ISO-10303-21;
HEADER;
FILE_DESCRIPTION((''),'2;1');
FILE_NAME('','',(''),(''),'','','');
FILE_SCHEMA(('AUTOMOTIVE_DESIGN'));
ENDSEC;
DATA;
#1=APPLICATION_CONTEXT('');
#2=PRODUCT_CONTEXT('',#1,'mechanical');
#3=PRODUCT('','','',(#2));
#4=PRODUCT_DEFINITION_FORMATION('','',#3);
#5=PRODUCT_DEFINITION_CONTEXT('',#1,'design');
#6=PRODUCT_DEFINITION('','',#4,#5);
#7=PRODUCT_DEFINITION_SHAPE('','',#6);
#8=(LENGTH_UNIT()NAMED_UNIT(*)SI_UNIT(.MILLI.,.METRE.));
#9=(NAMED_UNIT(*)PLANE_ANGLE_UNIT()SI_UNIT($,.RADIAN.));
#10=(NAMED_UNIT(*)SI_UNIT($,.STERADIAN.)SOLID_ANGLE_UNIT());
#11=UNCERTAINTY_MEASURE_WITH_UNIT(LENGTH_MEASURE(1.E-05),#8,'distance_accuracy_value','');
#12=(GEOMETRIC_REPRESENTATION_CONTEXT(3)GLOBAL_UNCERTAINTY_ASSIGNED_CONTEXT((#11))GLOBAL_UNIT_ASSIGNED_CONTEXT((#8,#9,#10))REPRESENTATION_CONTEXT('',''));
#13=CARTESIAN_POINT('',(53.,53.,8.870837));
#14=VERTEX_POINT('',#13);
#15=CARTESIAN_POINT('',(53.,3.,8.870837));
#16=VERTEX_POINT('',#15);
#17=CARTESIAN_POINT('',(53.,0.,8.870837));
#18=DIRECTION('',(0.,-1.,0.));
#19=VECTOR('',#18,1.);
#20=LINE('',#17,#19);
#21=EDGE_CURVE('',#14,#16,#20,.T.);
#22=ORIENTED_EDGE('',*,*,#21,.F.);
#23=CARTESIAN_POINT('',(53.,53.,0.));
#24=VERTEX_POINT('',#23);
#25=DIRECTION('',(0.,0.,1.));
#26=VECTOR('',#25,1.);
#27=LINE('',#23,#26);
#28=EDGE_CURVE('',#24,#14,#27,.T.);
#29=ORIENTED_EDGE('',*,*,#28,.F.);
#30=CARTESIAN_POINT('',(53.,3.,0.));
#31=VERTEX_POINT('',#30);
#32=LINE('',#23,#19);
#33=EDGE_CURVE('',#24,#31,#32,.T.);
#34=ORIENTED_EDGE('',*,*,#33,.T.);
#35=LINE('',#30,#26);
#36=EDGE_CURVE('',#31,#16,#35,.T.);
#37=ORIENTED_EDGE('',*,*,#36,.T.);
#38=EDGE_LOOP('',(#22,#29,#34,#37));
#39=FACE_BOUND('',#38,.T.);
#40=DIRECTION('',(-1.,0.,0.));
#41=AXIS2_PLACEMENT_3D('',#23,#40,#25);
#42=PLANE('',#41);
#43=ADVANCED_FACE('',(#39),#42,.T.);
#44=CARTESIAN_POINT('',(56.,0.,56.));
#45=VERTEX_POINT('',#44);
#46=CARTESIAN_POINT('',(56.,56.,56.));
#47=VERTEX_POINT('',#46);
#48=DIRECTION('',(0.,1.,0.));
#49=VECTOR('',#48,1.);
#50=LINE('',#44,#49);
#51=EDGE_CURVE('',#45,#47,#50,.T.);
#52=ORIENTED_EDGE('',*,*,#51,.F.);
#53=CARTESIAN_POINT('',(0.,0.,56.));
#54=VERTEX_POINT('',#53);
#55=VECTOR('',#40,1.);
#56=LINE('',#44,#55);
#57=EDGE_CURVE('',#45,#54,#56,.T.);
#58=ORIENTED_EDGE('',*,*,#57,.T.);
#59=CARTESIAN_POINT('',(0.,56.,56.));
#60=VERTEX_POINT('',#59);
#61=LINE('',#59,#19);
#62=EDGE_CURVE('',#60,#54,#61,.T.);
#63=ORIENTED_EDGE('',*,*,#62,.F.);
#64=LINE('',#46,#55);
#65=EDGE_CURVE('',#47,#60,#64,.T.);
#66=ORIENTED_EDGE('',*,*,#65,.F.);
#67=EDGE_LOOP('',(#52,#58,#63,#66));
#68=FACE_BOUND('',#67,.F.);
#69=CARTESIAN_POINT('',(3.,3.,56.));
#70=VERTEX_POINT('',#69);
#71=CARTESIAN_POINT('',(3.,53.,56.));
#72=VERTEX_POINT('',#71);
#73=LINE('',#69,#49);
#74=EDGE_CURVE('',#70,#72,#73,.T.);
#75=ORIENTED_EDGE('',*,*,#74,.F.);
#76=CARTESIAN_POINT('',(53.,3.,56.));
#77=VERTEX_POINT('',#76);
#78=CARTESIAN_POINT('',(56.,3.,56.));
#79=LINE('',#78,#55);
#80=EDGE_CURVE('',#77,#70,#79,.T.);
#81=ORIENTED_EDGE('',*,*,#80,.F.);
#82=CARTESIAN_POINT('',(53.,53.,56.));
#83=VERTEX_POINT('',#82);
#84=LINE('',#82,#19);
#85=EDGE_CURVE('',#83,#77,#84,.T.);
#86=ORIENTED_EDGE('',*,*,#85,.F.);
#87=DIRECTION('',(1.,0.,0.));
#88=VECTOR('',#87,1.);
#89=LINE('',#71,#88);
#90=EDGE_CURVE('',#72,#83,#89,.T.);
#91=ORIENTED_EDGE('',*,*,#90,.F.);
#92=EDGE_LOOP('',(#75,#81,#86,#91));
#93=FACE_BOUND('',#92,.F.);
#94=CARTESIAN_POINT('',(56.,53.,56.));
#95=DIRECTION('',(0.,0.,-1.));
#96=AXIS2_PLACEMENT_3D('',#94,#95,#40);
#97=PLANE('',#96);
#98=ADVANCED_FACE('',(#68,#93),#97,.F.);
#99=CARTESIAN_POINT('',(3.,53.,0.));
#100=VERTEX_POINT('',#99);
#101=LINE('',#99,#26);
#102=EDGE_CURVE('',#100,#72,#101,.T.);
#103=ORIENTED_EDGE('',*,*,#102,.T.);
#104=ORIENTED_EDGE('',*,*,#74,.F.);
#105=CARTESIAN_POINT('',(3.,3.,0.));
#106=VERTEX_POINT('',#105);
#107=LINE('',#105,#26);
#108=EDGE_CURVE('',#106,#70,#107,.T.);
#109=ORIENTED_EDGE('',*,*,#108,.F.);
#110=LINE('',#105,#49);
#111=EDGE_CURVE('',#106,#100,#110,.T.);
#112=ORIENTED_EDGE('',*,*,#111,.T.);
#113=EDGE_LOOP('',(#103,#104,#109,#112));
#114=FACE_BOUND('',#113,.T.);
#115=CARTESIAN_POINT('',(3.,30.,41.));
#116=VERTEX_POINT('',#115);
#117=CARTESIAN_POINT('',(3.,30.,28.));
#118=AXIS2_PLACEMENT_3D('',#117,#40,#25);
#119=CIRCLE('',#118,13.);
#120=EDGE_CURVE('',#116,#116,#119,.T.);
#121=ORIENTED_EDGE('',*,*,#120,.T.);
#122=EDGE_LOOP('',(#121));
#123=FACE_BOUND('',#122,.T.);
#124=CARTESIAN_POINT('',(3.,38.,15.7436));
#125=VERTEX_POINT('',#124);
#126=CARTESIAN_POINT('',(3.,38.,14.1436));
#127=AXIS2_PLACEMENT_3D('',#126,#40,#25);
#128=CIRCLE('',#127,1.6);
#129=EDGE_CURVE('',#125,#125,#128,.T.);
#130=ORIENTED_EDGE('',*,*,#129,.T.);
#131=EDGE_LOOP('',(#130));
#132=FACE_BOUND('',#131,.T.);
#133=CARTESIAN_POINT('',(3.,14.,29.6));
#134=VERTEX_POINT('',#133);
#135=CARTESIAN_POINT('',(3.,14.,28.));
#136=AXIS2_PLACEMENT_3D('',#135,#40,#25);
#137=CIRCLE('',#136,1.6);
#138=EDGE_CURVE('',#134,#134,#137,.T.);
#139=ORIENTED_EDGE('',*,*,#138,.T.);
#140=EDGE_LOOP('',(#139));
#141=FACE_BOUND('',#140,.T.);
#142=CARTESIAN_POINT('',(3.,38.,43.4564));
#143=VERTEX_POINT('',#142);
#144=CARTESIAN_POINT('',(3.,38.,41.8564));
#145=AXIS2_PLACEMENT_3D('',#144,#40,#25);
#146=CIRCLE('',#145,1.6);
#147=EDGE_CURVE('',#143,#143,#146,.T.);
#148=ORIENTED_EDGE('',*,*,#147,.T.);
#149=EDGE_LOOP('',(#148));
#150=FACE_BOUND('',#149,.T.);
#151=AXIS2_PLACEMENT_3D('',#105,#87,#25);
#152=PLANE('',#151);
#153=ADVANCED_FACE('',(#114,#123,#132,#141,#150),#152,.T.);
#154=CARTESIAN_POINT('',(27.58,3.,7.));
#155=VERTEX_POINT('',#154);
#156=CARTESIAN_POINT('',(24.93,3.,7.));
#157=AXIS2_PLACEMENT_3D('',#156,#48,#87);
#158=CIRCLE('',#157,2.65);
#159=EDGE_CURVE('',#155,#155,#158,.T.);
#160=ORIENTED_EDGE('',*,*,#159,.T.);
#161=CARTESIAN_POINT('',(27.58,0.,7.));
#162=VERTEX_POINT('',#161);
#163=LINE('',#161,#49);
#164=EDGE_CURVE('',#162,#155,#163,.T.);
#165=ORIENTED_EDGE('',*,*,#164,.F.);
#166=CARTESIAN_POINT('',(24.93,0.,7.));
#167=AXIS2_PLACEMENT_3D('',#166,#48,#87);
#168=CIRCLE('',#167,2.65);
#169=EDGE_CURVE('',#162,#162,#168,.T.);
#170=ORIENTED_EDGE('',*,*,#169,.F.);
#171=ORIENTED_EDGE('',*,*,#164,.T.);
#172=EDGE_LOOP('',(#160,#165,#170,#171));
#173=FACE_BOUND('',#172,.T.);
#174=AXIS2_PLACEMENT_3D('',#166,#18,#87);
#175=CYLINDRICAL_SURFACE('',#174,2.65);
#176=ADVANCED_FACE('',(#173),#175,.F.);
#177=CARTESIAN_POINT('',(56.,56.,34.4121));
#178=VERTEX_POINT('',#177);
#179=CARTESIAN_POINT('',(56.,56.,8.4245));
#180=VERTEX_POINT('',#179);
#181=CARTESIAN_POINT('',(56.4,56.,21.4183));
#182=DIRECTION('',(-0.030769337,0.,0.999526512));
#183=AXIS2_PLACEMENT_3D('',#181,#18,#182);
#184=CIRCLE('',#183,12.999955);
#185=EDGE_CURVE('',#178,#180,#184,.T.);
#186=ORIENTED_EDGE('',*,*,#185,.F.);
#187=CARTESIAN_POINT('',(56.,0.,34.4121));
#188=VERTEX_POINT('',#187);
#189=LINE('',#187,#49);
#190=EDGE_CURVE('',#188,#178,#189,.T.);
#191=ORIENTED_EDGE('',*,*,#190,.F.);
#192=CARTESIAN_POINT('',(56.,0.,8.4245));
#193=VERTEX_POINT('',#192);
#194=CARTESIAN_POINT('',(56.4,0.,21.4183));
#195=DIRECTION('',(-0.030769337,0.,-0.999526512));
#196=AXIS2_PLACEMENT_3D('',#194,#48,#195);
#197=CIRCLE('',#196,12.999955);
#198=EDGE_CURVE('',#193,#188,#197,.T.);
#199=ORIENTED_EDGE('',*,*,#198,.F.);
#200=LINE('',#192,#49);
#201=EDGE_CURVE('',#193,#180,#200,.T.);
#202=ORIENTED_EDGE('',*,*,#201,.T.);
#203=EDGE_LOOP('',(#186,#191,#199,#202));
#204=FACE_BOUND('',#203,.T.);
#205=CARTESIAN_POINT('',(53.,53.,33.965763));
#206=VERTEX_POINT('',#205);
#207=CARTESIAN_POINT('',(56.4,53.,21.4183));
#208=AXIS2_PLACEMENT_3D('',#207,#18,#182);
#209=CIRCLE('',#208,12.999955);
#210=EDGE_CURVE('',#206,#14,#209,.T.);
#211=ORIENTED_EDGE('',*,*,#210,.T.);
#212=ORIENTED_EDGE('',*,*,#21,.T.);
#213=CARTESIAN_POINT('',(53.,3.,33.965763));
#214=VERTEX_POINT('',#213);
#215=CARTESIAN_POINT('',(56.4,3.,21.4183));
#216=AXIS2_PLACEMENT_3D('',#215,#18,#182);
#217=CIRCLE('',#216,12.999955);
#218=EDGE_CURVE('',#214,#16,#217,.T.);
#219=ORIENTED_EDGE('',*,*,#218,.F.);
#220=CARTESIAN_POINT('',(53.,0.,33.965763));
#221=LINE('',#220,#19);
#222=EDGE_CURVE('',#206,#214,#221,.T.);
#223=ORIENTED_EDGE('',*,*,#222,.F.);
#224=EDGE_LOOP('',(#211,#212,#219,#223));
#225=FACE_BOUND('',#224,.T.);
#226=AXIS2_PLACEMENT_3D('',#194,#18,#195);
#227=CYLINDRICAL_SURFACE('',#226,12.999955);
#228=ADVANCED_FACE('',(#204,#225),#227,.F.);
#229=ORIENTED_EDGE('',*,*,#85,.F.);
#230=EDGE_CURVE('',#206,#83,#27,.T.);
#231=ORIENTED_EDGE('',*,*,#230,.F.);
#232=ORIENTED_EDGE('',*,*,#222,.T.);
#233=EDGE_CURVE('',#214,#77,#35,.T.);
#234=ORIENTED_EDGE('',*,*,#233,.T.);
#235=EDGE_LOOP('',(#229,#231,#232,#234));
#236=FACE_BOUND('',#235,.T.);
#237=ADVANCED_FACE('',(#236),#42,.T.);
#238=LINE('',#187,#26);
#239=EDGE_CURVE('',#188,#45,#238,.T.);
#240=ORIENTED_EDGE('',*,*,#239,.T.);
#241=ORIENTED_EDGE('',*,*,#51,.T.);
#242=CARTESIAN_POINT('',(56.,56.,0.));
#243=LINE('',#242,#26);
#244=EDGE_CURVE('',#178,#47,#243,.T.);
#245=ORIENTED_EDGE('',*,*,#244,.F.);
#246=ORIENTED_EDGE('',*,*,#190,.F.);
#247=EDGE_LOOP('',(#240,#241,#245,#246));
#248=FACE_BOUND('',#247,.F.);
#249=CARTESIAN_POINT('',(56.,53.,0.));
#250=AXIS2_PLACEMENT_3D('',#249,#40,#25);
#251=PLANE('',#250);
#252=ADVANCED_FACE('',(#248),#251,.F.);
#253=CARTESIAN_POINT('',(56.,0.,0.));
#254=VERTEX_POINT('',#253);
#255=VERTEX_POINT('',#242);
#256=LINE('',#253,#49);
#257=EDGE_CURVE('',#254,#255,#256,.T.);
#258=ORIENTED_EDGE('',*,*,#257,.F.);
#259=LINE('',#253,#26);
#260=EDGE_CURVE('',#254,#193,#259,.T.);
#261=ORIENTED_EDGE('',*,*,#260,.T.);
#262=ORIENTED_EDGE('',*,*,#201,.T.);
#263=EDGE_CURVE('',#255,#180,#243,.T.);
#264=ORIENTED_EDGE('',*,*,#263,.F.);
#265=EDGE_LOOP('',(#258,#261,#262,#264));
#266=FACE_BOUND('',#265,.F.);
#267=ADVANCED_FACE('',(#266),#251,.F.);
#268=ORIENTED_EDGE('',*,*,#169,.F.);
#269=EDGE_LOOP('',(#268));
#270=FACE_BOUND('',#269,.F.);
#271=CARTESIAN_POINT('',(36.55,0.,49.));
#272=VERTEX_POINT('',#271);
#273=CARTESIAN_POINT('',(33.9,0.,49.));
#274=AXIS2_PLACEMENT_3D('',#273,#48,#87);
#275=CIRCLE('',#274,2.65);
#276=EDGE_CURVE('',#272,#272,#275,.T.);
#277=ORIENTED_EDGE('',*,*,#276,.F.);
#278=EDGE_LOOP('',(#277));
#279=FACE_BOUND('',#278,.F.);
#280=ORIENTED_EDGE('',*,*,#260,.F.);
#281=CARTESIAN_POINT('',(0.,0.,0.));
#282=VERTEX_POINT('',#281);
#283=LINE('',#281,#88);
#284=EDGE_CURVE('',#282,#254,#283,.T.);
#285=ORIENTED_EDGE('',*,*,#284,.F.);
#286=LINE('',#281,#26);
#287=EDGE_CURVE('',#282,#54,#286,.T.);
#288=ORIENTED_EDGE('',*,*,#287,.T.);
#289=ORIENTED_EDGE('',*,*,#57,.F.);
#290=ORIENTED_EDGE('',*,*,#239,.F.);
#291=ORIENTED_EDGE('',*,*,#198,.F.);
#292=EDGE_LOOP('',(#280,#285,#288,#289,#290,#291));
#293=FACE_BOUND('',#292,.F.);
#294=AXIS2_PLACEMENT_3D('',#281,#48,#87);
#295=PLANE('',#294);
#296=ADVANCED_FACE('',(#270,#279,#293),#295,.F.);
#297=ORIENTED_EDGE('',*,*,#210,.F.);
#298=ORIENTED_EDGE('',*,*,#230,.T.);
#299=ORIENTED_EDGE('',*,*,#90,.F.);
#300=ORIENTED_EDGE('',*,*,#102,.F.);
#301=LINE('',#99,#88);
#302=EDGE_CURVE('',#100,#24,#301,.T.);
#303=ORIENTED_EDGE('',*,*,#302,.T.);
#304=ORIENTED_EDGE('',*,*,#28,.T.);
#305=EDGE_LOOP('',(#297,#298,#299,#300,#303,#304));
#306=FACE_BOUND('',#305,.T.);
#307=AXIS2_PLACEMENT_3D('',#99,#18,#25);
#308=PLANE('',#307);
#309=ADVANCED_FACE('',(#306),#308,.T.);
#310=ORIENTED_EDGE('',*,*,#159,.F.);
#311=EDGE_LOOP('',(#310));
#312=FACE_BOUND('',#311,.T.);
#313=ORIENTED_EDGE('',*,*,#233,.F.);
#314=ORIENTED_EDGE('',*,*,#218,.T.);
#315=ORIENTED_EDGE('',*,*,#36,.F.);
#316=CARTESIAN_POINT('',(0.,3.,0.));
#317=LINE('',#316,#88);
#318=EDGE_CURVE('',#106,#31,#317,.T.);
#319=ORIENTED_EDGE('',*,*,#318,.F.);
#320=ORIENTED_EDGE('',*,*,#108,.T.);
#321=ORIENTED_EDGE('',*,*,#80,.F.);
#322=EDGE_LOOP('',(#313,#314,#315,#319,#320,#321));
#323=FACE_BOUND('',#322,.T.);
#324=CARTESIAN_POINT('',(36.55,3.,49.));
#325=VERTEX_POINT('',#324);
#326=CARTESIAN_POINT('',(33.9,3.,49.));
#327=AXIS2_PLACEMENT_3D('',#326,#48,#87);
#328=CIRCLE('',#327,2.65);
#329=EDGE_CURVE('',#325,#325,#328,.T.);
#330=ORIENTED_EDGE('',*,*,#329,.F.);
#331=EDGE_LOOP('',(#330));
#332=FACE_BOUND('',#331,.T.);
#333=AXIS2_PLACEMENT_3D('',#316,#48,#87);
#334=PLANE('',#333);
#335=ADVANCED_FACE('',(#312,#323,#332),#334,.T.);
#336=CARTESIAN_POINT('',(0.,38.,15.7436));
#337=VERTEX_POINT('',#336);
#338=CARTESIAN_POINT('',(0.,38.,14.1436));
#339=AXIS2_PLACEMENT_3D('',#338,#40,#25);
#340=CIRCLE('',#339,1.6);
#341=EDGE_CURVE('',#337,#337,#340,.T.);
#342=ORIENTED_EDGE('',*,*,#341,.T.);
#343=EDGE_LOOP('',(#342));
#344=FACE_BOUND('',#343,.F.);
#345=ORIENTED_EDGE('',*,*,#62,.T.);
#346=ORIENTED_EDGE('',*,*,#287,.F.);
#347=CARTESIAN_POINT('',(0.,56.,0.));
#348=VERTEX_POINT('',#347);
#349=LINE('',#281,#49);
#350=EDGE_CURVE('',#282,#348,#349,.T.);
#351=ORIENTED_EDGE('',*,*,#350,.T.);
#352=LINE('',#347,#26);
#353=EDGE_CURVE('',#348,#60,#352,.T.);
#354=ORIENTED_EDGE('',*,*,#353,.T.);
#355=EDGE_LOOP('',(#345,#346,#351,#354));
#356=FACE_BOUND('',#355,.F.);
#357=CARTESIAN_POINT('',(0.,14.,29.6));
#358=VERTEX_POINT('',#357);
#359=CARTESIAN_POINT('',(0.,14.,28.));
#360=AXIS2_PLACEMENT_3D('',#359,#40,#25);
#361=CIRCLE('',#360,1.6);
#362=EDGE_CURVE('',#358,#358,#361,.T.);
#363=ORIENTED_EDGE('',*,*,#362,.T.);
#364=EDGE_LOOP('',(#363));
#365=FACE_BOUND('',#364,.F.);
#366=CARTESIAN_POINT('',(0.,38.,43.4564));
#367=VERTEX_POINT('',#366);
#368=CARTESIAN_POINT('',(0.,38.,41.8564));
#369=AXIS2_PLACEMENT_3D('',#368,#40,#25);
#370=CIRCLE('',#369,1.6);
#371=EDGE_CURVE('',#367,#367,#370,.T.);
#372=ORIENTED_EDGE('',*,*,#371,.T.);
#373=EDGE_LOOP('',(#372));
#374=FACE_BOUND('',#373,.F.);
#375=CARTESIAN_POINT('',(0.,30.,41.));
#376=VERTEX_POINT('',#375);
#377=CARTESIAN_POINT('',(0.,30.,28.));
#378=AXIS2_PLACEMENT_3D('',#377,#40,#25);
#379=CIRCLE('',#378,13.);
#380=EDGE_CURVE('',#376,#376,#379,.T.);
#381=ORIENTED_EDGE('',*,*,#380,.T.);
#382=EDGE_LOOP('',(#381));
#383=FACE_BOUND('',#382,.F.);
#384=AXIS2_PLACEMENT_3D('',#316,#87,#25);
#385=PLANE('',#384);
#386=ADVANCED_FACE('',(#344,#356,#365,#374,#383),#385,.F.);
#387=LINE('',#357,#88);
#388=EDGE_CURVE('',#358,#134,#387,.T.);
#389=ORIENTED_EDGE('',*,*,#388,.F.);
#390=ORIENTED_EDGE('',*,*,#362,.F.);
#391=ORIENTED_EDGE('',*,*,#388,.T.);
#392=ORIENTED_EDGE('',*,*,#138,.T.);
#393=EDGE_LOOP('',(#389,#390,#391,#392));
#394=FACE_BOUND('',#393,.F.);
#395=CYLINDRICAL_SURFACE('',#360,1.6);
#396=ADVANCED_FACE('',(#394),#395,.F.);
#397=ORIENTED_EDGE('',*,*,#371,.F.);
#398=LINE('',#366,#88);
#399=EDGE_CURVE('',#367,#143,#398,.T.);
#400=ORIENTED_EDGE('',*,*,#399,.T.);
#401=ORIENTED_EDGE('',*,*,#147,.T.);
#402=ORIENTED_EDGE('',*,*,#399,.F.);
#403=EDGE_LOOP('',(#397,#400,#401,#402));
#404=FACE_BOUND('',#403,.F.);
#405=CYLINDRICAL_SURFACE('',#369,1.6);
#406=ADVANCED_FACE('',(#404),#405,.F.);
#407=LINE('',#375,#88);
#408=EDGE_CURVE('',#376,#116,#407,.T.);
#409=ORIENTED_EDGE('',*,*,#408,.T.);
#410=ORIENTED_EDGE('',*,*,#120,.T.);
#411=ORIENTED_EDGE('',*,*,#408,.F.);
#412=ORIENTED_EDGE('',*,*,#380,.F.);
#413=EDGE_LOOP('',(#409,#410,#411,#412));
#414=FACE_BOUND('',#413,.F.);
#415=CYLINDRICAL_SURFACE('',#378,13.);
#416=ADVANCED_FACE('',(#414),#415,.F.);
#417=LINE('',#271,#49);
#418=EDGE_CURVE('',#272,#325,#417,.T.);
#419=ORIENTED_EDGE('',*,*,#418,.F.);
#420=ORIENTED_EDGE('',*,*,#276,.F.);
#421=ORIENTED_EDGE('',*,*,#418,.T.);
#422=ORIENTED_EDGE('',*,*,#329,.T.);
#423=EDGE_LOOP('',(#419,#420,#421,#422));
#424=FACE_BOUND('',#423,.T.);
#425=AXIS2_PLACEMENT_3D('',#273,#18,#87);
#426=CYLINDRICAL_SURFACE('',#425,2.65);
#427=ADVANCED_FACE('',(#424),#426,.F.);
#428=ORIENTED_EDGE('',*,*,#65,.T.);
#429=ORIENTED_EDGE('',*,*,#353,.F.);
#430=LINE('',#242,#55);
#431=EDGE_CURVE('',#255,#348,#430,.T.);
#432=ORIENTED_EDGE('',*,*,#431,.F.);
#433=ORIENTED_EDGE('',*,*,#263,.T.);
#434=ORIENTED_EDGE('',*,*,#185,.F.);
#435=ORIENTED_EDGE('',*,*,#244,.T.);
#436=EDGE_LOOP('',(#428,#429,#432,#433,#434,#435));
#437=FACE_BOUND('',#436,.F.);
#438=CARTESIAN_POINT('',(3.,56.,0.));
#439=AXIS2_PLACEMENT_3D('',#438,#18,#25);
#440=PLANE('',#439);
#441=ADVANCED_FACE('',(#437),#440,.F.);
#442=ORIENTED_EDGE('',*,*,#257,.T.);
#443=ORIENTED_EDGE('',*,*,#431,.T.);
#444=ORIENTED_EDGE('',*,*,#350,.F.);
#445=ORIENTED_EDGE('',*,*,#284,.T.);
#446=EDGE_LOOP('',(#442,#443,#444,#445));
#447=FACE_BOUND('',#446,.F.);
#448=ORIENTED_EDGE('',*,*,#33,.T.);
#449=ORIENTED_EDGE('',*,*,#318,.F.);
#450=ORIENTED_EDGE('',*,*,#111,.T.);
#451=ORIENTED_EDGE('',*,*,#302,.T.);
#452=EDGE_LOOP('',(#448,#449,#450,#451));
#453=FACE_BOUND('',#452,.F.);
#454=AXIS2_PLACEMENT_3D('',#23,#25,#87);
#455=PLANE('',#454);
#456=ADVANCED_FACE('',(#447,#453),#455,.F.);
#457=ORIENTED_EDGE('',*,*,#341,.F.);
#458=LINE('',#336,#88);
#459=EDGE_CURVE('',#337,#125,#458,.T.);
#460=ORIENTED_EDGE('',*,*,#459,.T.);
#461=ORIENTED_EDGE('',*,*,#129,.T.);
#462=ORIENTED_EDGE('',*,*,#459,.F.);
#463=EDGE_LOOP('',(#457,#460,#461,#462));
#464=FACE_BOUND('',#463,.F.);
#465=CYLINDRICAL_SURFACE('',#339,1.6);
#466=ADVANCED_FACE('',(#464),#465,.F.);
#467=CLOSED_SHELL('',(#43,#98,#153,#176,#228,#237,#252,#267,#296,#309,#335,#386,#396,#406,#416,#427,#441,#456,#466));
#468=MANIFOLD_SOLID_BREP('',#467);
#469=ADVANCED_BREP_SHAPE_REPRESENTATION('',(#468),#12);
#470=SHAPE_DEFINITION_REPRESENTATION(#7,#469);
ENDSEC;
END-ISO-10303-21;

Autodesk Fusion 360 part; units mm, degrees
sketch "Esboço1" plane through (0, 0, 0) normal (0, 1, 0) x (1, 0, 0)
  line L0 (0, 0) -> (56, 0)
  line L1 (56, -56) -> (0, -56)
  line L2 (0, -56) -> (0, 0)
  line L3 (0, -28) -> (45.1892, -28)
  arc A0 (56, -8.4245) -> (56, -34.4121) centre (56.4, -21.4183) ccw
  line L4 (56, 0) -> (56, -8.4245)
  line L5 (56, -34.4121) -> (56, -56)
  circle A1 centre (24.93, -7) radius 2.65
  circle A2 centre (33.9, -49) radius 2.65
  dimension "d1" = 56
  dimension "d2" = 56
  dimension "d3" = 26
  dimension "d5" = 5.3
  dimension "d6" = 24.93
  dimension "d7" = 21
  dimension "d8" = 5.3
  dimension "d9" = 21
  dimension "d10" = 33.9
  dimension "d47" = 56.4
extrude "Extrusão1" add sketch "Esboço1" along normal blind 3
sketch "Esboço2" plane through (0, 3, 0) normal (0, 1, 0) x (-1, 0, 0)
  circle A0 centre (-24.93, 7) radius 2.65
  circle A1 centre (-33.9, 49) radius 2.65
  arc A2 (-56, 8.4245) -> (-56, 34.4121) centre (-56.4, 21.4183) ccw
  line L0 (-56, 8.4245) -> (-56, 0)
  line L1 (-56, 0) -> (0, 0)
  line L2 (0, 0) -> (0, 56)
  line L3 (0, 56) -> (-56, 56)
  line L4 (-56, 56) -> (-56, 34.4121)
  line L5 (0, 0) -> (-3, 0)
  line L6 (-3, 0) -> (-3, 56)
  line L7 (-3, 56) -> (0, 56)
  line L8 (0, 56) -> (0, 0)
extrude "Extrusão2" add sketch "Esboço2" along normal blind 53 contours L1 L2 L3 L5 L6 L7 L8
sketch "Esboço3" plane through (0, 0, 0) normal (-1, 0, 0) x (0, 0, 1)
  line L0 (0, 0) -> (56, 0)
  line L1 (56, 0) -> (56, 56)
  line L2 (56, 56) -> (0, 56)
  line L3 (0, 56) -> (0, 0)
  circle A0 centre (28, 30) radius 13
  circle A1 centre (28, 14) radius 1.6
  circle A2 centre (14.1436, 38) radius 1.6
  circle A3 centre (41.8564, 38) radius 1.6
  dimension "d15" = 26
  dimension "d16" = 30
  dimension "d19" = 3.2
  dimension "d20" = 16
  dimension "d21" = 8
  dimension "d22" = 13.8564
extrude "Extrusão3" cut sketch "Esboço3" against normal blind 6.5 contours A0 | A1 | A2 | A3
sketch "Esboço6" plane through (3, 0, 0) normal (1, 0, 0) x (0, 0, -1)
  circle A0 centre (-41.8564, 38) radius 1.6
  circle A1 centre (-28, 14) radius 1.6
  circle A2 centre (-14.1436, 38) radius 1.6
  circle A3 centre (-28, 30) radius 13
  line L0 (-56, 3) -> (0, 3)
  line L1 (0, 3) -> (0, 56)
  line L2 (0, 56) -> (-56, 56)
  line L3 (-56, 56) -> (-56, 3)
  line L4 (-56, 56) -> (0, 56)
  line L5 (0, 56) -> (0, 53)
  line L6 (0, 53) -> (-56, 53)
  line L7 (-56, 53) -> (-56, 56)
  dimension "d48" = 3
extrude "Extrusão6" add sketch "Esboço6" along normal blind 53 contours L1 L2 L3 L4 L5 L6 L7
sketch "Esboço7" plane through (0, 53, 0) normal (0, -1, 0) x (1, 0, 0)
  line L0 (3, 56) -> (3, 0)
  line L1 (3, 0) -> (56, 0)
  line L2 (56, 0) -> (56, 56)
  line L3 (56, 56) -> (3, 56)
  line L4 (56, 0) -> (53, 0)
  line L5 (53, 0) -> (53, 56)
  line L6 (53, 56) -> (56, 56)
  line L7 (56, 56) -> (56, 0)
  dimension "d51" = 3
extrude "Extrusão7" add sketch "Esboço7" along normal blind 50 contours L1 L2 L3 L4 L5 L6 L7
sketch "Esboço8" plane through (0, 0, 0) normal (0, -1, 0) x (1, 0, 0)
  circle A0 centre (33.9, 49) radius 2.65
  circle A1 centre (24.93, 7) radius 2.65
  arc A2 (56, 34.4121) -> (56, 8.4245) centre (56.4, 21.4183) ccw
  line L0 (56, 34.4121) -> (56, 56)
  line L1 (56, 56) -> (0, 56)
  line L2 (0, 56) -> (0, 0)
  line L3 (0, 0) -> (56, 0)
  line L4 (56, 0) -> (56, 8.4245)
  circle A3 centre (56.4, 21.4183) radius 13
extrude "Extrusão8" cut sketch "Esboço8" against normal blind 69 contours A2 A3
